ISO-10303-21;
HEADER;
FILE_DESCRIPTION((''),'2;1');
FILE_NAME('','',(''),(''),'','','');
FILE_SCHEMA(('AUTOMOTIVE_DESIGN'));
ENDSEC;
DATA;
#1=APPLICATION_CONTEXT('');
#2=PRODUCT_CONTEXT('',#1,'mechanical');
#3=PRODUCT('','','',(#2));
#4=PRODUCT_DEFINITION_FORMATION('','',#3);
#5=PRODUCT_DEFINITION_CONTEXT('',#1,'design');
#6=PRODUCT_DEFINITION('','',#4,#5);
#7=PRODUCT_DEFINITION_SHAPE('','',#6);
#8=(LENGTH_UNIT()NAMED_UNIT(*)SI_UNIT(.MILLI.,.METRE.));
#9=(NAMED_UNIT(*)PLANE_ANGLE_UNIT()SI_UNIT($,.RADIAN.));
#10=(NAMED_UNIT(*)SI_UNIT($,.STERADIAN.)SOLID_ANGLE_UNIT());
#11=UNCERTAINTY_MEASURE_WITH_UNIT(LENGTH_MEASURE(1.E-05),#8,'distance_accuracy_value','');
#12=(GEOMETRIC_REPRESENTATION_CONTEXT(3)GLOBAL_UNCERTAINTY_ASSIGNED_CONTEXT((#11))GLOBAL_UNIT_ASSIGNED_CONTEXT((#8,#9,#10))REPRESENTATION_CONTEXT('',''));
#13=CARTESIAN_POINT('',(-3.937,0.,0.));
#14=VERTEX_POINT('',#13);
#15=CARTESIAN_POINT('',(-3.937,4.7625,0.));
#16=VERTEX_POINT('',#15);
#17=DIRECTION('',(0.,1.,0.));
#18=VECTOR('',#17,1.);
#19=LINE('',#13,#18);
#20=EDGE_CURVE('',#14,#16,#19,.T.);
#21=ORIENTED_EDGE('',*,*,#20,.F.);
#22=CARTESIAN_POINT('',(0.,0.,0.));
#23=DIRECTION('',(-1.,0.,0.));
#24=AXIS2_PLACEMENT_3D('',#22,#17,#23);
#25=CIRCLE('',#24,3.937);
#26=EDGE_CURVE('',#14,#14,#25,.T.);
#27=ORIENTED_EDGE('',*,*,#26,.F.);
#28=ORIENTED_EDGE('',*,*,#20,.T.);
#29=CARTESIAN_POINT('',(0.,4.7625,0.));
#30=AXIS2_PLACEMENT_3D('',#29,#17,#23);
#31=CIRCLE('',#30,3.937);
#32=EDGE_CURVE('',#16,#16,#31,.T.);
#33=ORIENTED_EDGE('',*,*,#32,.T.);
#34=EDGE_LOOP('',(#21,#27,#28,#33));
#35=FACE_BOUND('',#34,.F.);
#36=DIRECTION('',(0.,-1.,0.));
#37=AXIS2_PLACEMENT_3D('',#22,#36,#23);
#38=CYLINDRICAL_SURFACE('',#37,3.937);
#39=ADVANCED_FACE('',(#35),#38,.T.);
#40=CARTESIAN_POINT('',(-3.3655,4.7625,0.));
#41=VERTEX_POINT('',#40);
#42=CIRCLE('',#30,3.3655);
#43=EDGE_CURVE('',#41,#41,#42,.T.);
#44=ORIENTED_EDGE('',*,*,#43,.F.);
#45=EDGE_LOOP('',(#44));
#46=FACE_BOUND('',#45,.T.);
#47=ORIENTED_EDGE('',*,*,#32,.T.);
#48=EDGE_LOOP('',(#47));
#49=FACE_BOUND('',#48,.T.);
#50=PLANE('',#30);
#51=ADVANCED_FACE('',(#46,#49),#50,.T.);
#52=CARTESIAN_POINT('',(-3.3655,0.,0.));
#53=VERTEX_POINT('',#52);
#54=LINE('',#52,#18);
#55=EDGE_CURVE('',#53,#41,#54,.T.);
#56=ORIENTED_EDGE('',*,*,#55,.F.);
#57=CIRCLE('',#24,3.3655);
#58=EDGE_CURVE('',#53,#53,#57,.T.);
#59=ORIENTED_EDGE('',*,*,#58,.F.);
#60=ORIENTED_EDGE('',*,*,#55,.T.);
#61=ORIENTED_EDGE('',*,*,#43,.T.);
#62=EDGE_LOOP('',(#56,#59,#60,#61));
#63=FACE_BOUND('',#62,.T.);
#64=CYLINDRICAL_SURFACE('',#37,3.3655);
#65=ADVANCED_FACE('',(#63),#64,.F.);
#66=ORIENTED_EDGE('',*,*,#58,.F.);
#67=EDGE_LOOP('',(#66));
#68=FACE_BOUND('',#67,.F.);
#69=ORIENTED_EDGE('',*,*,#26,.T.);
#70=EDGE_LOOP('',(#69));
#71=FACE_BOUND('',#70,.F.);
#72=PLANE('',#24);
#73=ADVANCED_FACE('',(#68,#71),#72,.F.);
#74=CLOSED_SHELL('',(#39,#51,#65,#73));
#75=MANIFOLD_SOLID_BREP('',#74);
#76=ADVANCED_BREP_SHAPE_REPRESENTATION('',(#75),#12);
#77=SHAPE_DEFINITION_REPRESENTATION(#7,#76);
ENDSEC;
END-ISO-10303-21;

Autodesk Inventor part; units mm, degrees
ref_plane "YZ Plane" through (0, 0, 0) normal (1, 0, 0) x (0, 1, 0)
ref_plane "XZ Plane" through (0, 0, 0) normal (0, 1, 0) x (-1, 0, 0)
ref_plane "XY Plane" through (0, 0, 0) normal (0, 0, 1) x (1, 0, 0)
sketch "Sketch1" plane through (0, 0, 0) normal (0, 1, 0) x (-1, 0, 0)
  circle A0 centre (0, 0) radius 3.3655
  circle A1 centre (0, 0) radius 3.937
  dimension "d0" = 6.731
  dimension "d1" = 7.874
extrude "Extrusion1" add sketch "Sketch1" along normal blind 4.7625
properties part number "servo shaft spacer short"
